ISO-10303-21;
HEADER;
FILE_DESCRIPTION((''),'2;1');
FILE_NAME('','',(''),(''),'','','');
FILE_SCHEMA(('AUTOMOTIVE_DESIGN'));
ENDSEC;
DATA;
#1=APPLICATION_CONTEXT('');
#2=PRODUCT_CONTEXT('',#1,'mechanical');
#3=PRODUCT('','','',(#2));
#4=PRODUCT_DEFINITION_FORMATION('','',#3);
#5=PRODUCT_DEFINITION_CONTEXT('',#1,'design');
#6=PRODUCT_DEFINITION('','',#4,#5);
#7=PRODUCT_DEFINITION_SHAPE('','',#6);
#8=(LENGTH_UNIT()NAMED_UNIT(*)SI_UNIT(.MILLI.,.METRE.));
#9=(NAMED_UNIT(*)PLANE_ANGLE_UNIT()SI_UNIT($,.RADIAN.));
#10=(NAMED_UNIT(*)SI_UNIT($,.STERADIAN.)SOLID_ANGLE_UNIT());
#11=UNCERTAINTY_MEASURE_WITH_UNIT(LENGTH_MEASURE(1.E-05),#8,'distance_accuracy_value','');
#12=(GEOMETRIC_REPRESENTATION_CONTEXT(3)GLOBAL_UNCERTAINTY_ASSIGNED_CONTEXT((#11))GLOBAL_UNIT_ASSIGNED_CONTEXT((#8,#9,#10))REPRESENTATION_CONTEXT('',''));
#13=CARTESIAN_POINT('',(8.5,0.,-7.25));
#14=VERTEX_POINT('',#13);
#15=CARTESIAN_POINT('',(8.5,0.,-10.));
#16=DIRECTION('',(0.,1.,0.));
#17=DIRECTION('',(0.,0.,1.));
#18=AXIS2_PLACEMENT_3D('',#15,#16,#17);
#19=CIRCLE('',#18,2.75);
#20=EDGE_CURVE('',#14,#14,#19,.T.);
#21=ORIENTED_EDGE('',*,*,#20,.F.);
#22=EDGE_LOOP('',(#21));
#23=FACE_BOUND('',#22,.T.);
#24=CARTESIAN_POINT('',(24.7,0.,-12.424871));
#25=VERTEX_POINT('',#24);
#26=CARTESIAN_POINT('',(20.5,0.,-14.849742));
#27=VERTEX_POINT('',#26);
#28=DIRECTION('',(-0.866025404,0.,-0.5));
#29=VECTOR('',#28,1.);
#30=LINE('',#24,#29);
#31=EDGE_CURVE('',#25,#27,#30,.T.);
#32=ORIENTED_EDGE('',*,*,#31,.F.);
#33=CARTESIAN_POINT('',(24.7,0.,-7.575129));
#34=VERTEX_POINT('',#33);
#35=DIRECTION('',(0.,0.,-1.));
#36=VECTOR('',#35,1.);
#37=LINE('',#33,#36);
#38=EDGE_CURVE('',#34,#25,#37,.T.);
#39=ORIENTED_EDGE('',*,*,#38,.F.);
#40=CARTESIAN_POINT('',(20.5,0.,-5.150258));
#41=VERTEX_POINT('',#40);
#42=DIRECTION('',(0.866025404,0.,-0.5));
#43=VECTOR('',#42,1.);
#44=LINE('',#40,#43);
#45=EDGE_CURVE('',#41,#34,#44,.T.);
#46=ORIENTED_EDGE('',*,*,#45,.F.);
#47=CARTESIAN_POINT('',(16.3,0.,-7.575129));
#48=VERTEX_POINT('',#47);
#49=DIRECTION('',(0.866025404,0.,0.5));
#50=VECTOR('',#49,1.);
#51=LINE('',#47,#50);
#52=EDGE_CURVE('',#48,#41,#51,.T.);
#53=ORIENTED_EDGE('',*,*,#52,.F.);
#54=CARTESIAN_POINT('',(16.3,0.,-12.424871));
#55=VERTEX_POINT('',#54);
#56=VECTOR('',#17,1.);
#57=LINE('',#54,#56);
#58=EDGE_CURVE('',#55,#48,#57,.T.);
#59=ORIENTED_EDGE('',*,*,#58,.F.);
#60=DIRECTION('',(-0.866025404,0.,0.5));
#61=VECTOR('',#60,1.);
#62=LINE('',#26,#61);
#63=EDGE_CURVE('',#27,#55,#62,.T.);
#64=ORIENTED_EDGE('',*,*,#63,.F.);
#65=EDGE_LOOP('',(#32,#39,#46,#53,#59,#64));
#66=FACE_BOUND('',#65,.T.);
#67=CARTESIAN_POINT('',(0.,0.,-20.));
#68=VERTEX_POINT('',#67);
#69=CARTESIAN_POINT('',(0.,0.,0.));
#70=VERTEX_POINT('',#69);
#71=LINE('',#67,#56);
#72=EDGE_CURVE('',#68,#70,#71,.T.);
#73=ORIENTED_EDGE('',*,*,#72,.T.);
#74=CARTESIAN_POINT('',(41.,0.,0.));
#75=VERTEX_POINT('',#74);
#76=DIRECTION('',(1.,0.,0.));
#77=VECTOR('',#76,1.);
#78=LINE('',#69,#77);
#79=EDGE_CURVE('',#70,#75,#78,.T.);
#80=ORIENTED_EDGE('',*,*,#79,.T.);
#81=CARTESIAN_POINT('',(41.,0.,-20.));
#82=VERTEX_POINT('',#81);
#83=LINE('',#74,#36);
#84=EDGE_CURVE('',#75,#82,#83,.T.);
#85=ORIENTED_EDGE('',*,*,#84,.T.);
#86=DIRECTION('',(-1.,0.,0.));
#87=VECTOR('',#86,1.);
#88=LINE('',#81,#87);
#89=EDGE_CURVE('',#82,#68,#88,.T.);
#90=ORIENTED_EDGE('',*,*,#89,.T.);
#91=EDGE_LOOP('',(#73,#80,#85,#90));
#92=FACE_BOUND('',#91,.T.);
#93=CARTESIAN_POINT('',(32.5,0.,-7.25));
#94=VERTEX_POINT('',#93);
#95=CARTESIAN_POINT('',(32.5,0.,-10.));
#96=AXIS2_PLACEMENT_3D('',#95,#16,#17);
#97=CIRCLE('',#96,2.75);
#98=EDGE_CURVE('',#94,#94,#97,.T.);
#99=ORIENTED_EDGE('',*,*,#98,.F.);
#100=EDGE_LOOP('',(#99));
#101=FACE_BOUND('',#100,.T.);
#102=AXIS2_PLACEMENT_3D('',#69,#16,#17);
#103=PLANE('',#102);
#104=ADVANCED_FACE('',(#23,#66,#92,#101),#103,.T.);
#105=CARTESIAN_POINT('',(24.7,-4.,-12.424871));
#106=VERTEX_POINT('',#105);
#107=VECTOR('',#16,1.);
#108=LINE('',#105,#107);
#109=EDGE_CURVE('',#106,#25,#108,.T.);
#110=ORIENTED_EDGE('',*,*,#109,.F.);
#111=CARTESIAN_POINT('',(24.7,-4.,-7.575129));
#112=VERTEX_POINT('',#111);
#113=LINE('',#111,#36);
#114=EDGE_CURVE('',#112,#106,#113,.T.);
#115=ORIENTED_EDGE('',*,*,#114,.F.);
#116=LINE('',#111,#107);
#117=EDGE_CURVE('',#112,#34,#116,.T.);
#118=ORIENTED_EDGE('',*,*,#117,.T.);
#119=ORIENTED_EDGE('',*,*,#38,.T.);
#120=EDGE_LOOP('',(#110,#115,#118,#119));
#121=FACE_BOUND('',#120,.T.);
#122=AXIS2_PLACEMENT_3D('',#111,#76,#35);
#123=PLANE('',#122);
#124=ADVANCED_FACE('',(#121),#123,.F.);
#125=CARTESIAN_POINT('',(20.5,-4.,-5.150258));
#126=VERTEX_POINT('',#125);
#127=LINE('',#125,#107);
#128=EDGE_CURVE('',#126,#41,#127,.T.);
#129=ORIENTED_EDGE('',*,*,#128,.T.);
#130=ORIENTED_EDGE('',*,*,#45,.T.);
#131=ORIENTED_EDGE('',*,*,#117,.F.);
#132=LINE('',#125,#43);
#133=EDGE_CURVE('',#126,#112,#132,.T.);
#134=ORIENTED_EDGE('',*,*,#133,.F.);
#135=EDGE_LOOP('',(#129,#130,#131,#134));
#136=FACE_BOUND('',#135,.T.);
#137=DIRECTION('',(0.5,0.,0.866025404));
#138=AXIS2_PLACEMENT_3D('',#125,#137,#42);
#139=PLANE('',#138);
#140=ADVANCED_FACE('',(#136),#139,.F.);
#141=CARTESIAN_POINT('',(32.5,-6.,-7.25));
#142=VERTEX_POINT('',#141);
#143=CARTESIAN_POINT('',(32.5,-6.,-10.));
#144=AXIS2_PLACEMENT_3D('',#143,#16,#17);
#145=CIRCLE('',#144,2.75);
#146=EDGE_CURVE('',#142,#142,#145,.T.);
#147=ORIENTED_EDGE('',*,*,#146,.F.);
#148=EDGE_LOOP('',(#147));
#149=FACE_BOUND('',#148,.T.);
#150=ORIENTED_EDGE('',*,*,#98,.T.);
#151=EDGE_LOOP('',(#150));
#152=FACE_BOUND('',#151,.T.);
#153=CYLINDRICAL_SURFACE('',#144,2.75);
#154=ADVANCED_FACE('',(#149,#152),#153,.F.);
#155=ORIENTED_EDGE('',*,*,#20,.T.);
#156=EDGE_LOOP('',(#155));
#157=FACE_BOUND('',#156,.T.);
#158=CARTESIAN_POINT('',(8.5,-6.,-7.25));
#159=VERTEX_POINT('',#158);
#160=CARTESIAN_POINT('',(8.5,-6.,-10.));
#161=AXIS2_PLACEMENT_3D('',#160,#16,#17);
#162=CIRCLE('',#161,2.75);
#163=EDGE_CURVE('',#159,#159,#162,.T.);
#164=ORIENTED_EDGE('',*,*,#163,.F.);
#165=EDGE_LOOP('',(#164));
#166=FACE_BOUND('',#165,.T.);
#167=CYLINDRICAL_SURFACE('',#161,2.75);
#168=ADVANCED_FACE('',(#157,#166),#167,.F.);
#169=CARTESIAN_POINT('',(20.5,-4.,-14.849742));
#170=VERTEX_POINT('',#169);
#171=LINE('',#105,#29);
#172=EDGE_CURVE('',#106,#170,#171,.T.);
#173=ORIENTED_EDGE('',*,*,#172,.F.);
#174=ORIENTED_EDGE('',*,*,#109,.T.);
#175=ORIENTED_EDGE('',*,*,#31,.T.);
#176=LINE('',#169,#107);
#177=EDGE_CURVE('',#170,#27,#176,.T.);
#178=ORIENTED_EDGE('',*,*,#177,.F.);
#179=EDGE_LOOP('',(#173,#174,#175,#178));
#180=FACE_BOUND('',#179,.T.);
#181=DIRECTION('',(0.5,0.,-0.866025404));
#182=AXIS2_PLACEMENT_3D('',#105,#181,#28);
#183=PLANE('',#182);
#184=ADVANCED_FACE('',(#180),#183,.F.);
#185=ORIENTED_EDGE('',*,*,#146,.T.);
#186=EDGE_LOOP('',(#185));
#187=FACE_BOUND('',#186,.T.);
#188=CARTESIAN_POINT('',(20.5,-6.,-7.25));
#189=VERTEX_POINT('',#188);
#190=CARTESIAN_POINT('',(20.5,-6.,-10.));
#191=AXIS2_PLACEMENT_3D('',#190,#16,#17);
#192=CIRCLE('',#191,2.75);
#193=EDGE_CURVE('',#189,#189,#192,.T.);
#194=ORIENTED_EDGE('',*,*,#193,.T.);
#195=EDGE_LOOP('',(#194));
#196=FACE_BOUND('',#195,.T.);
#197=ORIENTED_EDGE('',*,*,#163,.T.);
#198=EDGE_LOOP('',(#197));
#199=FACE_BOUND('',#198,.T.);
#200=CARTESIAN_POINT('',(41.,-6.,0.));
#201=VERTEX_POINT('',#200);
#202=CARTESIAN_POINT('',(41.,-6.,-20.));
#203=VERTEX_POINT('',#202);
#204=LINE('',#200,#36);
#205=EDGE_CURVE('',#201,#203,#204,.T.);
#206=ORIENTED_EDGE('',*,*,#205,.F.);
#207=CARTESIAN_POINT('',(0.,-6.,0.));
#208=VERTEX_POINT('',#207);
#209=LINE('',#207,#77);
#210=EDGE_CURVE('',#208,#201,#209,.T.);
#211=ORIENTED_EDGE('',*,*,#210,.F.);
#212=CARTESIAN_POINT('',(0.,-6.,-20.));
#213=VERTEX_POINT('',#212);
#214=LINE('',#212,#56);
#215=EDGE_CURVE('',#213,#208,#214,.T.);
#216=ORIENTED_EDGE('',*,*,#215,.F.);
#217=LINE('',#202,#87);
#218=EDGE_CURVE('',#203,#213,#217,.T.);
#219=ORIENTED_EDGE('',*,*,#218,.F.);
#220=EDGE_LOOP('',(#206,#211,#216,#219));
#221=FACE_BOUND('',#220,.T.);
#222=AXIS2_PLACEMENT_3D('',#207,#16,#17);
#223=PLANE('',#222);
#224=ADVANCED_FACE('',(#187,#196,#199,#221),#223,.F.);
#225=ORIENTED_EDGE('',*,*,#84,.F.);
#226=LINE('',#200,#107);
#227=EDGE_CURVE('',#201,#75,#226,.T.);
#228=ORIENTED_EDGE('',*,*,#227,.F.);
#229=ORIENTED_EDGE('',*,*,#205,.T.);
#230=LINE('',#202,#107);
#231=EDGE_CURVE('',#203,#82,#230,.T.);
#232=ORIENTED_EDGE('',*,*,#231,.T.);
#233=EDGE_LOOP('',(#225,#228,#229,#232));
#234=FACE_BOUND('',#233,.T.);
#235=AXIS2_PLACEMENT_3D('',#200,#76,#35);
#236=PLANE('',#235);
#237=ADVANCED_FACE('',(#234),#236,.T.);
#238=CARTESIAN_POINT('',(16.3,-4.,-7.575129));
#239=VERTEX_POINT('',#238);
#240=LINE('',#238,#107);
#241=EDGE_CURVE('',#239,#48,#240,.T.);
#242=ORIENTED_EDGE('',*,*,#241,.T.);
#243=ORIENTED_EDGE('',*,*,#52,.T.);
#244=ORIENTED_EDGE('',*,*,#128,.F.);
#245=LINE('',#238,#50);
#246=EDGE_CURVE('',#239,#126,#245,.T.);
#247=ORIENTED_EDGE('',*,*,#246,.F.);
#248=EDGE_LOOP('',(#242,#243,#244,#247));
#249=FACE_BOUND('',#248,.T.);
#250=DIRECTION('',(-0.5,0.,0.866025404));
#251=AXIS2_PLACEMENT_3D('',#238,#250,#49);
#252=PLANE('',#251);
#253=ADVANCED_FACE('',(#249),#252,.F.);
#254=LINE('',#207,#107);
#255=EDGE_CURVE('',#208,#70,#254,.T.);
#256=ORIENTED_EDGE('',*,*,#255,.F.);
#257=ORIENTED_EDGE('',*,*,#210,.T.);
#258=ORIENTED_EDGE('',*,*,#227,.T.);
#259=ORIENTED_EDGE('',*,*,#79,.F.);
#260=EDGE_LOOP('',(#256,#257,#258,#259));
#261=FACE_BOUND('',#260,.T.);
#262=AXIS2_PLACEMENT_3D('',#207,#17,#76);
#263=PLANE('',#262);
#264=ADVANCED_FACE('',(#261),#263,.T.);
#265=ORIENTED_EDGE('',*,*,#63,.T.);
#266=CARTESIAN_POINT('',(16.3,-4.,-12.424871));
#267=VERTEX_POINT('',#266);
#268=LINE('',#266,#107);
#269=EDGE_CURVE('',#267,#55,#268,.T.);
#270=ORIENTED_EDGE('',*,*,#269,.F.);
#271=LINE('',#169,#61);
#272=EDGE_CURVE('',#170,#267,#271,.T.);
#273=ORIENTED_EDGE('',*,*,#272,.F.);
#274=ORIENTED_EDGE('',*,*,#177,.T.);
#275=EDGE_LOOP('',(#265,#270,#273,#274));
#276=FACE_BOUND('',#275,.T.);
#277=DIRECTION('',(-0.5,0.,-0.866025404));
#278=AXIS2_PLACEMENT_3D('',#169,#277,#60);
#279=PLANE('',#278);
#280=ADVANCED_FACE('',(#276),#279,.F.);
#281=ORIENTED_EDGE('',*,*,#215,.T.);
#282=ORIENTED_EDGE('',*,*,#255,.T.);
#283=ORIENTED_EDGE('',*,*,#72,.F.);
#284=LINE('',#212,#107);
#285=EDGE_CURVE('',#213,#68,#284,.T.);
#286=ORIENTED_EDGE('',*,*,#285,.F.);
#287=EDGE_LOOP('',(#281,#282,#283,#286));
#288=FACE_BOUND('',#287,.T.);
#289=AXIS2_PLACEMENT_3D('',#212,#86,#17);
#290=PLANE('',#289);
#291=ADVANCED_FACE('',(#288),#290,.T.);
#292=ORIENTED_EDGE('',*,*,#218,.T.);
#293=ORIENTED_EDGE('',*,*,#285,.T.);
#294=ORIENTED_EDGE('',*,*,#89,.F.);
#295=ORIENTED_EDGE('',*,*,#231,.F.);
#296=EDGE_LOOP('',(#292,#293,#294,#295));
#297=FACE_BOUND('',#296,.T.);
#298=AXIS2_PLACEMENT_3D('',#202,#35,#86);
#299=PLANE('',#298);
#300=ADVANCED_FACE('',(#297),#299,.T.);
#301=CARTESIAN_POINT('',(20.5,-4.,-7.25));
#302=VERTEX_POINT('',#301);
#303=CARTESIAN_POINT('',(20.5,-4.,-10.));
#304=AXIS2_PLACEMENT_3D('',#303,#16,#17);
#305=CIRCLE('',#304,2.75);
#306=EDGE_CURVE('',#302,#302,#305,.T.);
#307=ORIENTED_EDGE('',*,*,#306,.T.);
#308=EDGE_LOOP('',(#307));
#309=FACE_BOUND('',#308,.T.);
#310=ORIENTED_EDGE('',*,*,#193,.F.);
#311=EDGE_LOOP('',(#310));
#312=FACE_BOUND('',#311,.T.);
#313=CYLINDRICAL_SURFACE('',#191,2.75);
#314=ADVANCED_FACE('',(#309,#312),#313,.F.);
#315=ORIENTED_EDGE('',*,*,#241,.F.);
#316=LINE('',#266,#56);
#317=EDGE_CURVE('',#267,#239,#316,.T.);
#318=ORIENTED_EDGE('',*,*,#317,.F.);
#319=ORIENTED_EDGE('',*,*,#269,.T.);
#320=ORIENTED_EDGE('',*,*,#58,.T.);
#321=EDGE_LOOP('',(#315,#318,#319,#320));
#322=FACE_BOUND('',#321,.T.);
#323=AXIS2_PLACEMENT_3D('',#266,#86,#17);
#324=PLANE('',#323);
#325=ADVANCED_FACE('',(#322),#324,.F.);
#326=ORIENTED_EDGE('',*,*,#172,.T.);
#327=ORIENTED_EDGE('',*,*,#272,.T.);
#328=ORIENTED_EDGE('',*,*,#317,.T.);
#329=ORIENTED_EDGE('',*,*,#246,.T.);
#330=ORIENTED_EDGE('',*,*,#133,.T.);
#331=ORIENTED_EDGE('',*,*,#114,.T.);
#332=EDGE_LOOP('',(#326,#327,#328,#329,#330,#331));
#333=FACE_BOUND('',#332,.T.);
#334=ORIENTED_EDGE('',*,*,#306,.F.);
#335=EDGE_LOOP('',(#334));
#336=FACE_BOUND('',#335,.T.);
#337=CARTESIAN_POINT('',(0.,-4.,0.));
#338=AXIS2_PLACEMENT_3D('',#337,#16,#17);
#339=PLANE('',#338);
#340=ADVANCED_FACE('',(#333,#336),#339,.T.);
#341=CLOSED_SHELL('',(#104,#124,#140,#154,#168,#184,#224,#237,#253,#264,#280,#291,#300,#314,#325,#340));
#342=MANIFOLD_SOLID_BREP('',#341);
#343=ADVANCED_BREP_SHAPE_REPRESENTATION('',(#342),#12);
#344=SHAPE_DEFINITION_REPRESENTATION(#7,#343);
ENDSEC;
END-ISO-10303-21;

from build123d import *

# Parameters (mm, degrees)
SKETCH1_W           = 41
SKETCH1_H           = 20
BOSS_EXTRUDE1_DEPTH = 6
NUT_DEPTH           = 4
SKETCH7_R           = 2.75
HOLES_DEPTH         = 7


with BuildPart() as part:
    # Sketch1 → Boss-Extrude1 (new body)
    with BuildSketch(Plane(origin=(0, 0, 0), x_dir=(1, 0, 0), z_dir=(0, 1, 0))):
        with Locations((20.5, 10)):
            Rectangle(SKETCH1_W, SKETCH1_H)
    extrude(amount=-BOSS_EXTRUDE1_DEPTH)

    # Sketch2 → nut (cut)
    with BuildSketch(Plane(origin=(0, 0, 0), x_dir=(1, 0, 0), z_dir=(0, 1, 0))):
        Polygon((20.5, 5.150257739), (24.7, 7.575128869), (24.7, 12.424871131), (20.5, 14.849742261), (16.3, 12.424871131), (16.3, 7.575128869), align=None)
    extrude(amount=-NUT_DEPTH, mode=Mode.SUBTRACT)

    # Sketch7 → holes (cut, through all)
    with BuildSketch(Plane(origin=(0, 0, 0), x_dir=(1, 0, 0), z_dir=(0, 1, 0))):
        with Locations((8.5, 10)):
            Circle(SKETCH7_R)
        with Locations((32.5, 10)):
            Circle(SKETCH7_R)
        with Locations((20.5, 10)):
            Circle(SKETCH7_R)
    extrude(amount=-HOLES_DEPTH, mode=Mode.SUBTRACT)


solid = part.part
